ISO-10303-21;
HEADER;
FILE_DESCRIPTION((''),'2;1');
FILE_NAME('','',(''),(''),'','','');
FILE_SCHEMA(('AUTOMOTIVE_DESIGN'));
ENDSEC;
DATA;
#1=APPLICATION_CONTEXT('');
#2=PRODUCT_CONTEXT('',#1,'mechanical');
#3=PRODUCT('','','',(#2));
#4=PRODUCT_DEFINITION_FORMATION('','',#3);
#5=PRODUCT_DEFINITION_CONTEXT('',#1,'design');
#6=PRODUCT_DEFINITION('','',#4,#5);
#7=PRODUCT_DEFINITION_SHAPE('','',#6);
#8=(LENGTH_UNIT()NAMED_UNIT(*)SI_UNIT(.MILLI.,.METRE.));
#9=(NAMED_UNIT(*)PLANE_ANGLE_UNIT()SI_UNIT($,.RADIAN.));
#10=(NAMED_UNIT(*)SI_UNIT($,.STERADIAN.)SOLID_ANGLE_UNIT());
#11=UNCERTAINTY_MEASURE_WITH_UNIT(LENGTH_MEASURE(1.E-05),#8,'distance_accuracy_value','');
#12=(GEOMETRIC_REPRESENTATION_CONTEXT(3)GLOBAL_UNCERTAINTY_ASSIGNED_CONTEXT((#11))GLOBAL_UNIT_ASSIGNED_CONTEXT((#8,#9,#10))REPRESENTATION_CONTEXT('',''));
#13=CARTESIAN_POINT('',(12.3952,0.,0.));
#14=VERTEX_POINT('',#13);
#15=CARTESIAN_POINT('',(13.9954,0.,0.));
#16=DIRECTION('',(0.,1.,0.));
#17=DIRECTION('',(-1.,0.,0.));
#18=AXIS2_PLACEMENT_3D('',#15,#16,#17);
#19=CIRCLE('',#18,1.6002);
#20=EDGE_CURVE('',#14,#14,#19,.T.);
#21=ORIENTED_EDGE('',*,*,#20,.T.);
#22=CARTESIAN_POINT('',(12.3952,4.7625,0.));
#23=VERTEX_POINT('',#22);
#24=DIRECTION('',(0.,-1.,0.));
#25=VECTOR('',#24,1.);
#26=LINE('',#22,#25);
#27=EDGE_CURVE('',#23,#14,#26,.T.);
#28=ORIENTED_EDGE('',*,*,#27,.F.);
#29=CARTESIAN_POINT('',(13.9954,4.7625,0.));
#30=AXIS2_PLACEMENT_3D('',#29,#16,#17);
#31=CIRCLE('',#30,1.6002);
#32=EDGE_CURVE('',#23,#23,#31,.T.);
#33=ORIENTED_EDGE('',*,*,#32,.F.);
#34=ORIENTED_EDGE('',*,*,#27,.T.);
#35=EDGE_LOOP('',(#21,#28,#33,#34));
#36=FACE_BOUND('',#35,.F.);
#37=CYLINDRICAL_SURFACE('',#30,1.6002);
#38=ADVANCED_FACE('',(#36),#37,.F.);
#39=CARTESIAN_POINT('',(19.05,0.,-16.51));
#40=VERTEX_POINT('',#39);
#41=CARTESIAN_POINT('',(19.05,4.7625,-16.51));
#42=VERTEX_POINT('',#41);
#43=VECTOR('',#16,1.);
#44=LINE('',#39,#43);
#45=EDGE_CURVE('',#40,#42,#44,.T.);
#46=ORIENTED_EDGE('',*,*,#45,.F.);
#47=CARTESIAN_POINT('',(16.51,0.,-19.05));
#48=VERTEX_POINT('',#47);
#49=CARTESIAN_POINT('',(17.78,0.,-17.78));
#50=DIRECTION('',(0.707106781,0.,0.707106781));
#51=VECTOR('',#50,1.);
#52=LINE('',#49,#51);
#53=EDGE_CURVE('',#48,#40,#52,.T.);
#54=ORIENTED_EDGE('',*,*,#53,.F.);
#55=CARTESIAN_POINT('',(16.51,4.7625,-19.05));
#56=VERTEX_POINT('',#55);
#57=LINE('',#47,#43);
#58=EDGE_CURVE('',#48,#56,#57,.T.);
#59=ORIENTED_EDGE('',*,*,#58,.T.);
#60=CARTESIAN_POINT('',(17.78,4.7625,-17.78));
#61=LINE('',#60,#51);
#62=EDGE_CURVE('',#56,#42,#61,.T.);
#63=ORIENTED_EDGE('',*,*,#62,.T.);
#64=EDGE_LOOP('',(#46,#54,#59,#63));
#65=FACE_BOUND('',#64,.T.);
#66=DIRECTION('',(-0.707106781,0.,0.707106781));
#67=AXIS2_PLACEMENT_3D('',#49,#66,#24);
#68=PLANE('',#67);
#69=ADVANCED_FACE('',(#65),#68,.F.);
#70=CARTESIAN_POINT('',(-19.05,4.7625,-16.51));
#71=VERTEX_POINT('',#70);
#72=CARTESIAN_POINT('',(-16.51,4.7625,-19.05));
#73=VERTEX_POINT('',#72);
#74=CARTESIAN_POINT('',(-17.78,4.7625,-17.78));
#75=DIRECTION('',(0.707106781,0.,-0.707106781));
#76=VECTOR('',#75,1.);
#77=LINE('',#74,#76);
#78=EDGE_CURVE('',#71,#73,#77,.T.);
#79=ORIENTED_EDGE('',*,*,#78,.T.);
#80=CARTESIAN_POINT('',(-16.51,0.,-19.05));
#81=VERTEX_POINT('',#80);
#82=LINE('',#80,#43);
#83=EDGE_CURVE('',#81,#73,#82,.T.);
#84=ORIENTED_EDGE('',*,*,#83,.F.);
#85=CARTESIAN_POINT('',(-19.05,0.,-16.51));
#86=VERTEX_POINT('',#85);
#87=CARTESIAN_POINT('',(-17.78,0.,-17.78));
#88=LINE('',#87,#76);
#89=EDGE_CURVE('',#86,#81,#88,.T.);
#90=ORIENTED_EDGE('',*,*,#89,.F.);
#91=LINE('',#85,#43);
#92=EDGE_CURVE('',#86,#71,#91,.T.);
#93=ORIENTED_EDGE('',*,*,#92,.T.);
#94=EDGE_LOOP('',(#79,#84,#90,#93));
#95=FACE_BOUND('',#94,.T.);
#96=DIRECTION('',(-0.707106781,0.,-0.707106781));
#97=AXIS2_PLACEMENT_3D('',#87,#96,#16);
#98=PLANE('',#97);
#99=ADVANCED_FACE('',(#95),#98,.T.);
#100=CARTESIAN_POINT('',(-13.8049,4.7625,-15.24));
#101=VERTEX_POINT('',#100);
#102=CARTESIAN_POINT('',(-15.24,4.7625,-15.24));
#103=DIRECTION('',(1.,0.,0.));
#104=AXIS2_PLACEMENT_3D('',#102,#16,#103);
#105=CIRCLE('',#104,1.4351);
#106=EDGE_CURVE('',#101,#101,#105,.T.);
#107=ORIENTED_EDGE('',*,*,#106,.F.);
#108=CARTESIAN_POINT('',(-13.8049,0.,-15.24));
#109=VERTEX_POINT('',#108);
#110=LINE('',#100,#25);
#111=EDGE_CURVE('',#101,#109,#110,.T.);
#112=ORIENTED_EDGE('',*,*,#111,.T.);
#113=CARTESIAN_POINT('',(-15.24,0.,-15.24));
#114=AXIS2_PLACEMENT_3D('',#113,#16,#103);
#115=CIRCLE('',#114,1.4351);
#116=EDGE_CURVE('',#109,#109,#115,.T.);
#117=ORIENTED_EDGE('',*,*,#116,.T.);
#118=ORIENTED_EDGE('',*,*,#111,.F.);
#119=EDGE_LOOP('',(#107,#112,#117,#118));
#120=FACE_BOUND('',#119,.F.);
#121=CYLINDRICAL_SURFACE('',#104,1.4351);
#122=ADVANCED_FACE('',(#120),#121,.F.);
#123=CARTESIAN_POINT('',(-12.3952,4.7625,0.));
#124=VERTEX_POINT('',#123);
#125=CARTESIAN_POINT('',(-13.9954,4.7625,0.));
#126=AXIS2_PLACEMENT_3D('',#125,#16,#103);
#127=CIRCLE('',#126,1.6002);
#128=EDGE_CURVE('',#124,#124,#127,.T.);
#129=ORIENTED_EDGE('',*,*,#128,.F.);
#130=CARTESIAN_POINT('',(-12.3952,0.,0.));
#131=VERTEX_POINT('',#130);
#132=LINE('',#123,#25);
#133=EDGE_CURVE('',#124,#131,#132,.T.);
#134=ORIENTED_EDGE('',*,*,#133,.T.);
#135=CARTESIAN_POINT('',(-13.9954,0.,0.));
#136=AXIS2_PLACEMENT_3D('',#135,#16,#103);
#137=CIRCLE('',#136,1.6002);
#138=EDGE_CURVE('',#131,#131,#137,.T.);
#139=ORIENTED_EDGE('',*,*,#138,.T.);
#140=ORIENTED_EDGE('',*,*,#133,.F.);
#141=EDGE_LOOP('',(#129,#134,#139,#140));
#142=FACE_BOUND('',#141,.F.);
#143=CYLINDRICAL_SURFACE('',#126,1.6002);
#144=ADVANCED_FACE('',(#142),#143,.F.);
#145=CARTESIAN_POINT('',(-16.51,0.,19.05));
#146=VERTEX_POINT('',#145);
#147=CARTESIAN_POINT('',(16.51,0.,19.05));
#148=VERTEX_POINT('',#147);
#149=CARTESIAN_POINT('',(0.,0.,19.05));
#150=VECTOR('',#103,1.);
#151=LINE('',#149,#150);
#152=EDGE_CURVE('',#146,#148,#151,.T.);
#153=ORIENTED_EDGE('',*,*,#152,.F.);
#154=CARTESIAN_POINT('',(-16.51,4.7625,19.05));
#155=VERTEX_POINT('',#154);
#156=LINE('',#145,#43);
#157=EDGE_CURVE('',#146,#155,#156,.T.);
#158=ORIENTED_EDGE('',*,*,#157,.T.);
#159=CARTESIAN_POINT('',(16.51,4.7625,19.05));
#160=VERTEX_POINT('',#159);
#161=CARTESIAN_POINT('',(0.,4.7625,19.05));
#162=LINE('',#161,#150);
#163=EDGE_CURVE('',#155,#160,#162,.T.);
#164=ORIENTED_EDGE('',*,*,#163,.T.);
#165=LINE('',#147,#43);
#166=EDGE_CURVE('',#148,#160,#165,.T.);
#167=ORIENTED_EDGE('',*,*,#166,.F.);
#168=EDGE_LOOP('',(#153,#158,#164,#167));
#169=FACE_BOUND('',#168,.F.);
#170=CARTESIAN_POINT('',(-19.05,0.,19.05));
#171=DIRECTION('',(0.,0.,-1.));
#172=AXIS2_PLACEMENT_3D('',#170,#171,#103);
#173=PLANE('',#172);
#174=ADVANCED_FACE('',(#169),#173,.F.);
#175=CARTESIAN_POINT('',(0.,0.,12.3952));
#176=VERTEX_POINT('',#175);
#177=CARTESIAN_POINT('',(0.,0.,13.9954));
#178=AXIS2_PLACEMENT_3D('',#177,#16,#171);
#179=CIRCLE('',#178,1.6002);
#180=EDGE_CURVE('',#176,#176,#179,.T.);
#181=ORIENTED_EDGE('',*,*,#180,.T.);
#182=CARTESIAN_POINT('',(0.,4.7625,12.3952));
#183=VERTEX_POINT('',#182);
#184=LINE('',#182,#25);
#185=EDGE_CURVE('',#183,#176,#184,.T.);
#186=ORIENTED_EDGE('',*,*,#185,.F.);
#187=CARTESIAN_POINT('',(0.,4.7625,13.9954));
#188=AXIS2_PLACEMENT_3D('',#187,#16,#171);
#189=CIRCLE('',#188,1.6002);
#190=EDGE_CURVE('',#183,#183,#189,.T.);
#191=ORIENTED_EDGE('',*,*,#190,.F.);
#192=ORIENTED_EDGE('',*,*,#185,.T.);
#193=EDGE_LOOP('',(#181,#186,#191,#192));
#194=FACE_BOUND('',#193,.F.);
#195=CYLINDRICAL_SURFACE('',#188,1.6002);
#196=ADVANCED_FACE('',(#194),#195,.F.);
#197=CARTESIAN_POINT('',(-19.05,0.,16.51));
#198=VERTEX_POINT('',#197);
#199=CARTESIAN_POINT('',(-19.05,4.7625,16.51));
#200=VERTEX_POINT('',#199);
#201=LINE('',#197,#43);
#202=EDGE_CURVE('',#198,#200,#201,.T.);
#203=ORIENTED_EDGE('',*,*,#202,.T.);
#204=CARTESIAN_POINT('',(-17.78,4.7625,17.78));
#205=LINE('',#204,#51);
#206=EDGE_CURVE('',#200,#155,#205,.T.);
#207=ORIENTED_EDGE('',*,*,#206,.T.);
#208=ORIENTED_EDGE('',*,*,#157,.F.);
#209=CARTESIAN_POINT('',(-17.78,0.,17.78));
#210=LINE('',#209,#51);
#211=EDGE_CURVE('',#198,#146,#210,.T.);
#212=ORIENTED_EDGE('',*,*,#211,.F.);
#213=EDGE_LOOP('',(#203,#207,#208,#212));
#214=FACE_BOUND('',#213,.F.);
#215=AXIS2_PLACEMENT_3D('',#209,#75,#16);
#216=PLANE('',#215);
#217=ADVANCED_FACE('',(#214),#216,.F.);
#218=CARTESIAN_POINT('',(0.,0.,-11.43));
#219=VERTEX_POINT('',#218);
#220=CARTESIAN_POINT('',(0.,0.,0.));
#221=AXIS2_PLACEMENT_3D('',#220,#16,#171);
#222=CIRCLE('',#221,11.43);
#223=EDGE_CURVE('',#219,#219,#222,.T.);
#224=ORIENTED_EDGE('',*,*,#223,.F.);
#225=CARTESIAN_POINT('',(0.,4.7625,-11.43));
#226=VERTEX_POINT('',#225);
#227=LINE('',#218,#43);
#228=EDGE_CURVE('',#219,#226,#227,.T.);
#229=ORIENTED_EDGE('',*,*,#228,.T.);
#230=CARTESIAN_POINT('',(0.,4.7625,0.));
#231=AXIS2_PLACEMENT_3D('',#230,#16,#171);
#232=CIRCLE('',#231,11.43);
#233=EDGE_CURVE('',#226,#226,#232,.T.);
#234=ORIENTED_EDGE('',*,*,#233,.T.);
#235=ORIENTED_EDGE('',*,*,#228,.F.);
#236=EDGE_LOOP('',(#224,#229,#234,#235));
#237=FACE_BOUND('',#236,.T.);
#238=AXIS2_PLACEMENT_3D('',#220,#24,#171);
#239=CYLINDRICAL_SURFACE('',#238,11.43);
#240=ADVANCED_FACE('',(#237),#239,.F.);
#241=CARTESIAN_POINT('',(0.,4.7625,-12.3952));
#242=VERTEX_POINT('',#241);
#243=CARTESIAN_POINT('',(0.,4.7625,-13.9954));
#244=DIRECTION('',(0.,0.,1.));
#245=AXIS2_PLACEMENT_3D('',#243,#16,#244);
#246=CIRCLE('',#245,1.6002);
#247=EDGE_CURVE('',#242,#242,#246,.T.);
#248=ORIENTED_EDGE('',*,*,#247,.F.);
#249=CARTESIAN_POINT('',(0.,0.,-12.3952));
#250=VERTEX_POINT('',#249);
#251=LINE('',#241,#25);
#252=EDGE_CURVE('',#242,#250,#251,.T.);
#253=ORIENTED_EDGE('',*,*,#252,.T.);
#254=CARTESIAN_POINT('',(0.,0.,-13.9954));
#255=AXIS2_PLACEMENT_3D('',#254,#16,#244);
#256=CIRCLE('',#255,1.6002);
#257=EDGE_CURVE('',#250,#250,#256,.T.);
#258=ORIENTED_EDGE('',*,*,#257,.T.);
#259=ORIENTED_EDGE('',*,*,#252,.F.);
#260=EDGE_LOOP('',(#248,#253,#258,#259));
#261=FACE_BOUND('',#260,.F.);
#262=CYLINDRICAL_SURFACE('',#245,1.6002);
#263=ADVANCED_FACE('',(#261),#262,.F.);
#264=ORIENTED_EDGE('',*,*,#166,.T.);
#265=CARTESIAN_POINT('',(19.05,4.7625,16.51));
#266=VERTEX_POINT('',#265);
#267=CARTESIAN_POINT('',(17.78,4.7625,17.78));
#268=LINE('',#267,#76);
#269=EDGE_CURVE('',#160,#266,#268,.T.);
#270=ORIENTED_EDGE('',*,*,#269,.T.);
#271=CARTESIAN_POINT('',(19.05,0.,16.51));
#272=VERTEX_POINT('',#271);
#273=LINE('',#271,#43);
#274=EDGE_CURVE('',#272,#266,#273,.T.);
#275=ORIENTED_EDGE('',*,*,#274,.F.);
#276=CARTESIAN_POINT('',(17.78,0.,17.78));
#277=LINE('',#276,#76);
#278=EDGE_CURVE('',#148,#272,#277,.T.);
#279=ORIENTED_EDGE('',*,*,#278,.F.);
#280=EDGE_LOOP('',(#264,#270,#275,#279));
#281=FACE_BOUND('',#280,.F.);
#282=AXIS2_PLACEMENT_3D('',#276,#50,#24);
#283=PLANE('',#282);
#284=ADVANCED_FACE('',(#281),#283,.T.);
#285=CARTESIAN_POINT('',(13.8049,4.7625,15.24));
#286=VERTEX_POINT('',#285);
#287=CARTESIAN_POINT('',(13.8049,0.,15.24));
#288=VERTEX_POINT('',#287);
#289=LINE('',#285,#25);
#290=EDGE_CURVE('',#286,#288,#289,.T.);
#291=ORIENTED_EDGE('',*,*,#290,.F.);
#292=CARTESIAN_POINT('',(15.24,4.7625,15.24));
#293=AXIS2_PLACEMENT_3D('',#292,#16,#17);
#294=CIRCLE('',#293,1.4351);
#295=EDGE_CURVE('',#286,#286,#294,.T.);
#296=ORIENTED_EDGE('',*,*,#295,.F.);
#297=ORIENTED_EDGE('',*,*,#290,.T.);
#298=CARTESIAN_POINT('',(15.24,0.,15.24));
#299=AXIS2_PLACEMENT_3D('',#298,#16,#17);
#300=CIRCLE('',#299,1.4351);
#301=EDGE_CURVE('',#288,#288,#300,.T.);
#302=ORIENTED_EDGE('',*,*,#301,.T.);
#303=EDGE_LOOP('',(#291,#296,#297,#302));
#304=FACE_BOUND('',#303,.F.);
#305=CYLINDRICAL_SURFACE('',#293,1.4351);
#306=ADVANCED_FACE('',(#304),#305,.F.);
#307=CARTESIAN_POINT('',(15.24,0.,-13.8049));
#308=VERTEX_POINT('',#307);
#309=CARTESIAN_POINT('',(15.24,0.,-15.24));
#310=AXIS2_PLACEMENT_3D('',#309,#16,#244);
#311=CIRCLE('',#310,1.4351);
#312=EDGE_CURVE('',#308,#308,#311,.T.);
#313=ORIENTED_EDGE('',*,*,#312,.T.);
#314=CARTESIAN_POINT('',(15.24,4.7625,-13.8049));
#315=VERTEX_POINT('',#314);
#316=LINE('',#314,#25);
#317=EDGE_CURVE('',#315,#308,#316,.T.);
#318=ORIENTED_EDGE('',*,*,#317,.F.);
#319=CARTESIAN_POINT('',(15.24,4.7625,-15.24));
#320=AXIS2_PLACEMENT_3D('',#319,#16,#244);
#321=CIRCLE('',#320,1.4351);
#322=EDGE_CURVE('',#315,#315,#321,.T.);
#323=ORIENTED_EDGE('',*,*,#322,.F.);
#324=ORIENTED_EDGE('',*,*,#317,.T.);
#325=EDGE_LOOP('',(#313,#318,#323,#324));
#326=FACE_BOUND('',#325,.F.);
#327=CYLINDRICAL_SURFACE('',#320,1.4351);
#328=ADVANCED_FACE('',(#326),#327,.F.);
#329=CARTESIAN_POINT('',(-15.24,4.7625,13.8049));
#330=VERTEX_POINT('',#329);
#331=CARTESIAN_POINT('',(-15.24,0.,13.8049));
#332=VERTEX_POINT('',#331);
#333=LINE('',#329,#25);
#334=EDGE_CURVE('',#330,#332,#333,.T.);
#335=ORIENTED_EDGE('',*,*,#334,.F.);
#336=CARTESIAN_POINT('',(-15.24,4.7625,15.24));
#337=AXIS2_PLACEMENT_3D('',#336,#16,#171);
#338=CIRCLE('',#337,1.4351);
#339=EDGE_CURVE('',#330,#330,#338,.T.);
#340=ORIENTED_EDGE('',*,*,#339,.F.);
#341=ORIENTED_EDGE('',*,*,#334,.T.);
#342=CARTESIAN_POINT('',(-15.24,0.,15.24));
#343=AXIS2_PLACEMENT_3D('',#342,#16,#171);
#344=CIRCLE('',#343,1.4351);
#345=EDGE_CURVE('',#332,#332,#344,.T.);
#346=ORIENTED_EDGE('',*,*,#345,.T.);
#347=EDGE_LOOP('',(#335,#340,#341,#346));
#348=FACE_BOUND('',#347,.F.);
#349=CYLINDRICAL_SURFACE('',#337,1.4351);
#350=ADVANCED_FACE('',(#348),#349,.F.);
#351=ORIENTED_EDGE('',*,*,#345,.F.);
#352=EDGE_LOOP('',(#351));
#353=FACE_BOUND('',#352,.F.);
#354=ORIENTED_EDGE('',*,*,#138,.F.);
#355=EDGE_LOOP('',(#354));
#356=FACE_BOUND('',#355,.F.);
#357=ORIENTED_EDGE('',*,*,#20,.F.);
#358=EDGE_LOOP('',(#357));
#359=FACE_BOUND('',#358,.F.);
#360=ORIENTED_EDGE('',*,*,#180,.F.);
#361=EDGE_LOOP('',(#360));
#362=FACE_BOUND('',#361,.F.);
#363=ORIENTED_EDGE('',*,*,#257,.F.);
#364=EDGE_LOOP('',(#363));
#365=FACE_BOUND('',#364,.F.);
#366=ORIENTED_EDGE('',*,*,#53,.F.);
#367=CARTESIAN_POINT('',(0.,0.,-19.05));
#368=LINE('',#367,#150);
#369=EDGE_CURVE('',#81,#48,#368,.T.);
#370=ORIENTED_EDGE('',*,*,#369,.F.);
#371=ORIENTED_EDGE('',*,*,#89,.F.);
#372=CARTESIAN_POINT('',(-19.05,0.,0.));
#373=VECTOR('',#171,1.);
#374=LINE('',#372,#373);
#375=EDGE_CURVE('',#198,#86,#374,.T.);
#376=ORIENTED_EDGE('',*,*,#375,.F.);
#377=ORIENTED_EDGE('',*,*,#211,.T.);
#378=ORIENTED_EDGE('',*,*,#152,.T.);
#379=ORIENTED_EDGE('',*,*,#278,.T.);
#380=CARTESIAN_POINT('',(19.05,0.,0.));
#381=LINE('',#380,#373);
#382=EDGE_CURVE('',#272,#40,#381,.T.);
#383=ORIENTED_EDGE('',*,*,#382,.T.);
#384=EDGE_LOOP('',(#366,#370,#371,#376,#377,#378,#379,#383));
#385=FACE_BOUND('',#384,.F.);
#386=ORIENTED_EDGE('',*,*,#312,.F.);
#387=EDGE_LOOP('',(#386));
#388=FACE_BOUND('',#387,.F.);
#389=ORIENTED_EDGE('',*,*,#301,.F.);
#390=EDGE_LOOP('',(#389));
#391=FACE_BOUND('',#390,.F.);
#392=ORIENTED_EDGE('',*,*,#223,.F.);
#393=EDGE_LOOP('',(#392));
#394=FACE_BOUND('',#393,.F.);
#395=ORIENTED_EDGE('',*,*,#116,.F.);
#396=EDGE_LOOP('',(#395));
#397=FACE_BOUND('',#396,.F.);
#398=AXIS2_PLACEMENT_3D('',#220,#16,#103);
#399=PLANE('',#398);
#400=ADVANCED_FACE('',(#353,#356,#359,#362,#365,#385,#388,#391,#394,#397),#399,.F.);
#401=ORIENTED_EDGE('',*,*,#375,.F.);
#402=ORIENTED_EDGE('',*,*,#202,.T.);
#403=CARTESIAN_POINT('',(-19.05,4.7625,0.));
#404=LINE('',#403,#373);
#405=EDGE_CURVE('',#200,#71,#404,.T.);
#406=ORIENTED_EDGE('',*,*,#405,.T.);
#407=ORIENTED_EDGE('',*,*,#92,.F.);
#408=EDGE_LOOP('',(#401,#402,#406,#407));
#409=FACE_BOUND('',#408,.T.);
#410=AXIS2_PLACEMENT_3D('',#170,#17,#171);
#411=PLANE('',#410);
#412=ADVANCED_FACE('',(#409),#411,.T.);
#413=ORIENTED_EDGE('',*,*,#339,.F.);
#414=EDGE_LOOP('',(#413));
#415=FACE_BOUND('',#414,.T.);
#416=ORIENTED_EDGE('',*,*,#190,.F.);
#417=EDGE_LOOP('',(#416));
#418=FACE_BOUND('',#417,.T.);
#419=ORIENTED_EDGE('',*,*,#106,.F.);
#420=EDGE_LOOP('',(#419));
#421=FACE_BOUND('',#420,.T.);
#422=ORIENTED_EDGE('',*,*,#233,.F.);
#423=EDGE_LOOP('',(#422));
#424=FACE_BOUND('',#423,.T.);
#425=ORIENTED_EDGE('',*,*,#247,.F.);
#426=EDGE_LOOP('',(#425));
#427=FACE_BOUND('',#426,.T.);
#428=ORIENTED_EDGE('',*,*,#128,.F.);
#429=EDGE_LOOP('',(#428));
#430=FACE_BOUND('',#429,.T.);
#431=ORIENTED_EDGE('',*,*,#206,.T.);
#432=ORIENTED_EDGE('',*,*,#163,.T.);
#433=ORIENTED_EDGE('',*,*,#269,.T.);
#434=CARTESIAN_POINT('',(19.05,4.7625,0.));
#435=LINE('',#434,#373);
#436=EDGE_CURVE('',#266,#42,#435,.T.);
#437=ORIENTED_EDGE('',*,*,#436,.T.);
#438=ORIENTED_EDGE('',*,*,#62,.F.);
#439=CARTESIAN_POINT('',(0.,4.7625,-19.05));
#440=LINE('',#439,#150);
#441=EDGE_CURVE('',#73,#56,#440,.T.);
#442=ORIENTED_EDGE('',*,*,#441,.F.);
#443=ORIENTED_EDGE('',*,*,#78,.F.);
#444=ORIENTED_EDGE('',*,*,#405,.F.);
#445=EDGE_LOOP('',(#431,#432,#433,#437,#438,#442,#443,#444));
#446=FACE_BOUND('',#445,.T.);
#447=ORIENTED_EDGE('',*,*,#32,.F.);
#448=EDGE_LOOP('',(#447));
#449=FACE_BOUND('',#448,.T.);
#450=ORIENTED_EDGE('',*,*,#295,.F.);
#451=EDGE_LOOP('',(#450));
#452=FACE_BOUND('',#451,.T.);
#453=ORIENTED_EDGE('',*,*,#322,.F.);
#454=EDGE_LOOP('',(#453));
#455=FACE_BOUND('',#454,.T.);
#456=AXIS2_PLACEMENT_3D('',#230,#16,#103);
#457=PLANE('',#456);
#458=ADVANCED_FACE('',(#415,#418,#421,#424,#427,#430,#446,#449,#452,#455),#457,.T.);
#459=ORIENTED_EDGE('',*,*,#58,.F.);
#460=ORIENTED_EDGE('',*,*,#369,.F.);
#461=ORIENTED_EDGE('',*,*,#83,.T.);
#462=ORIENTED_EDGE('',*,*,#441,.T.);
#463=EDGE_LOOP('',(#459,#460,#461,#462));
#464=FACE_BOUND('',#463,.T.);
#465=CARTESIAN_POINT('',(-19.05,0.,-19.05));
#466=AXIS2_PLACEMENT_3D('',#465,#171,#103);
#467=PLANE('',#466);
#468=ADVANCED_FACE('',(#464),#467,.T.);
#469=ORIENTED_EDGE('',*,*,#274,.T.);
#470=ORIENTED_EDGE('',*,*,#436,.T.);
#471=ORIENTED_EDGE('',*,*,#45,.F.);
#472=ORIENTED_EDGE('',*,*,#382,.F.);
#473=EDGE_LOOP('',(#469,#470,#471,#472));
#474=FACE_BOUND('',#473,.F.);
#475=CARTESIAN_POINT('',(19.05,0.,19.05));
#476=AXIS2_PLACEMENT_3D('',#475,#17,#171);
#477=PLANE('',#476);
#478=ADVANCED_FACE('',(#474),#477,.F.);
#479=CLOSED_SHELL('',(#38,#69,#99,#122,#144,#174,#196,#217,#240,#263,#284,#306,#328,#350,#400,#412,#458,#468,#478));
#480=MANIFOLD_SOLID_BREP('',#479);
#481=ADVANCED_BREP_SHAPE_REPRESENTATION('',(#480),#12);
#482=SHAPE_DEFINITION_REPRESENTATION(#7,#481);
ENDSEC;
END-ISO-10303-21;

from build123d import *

# Parameters (mm, degrees)
SKETCH1_W           = 38.1
SKETCH1_H           = 38.1
SKETCH1_R           = 11.43
BOSS_EXTRUDE1_DEPTH = 4.7625
SKETCH2_R           = 1.6002
SKETCH2_R_2         = 1.4351
CUT_EXTRUDE1_DEPTH  = 28.358479604
CIRPATTERN1_COUNT   = 4
CHAMFER1_SIZE       = 2.54


with BuildPart() as part:
    # Sketch1 → Boss-Extrude1 (new body)
    with BuildSketch(Plane(origin=(0, 0, 0), x_dir=(1, 0, 0), z_dir=(0, 1, 0))):
        Rectangle(SKETCH1_W, SKETCH1_H)
        with Locations(Location((0, 0, 0), (0, 0, 90))):
            Circle(SKETCH1_R, mode=Mode.SUBTRACT)
    extrude(amount=BOSS_EXTRUDE1_DEPTH)

    # Sketch2 → Cut-Extrude1 (cut, through all)
    with BuildSketch(Plane(origin=(0, 4.7625, 0), x_dir=(1, 0, 0), z_dir=(0, 1, 0))):
        with Locations(Location((0, 13.9954, 0), (0, 0, 270))):
            Circle(SKETCH2_R)
        with Locations(Location((15.24, 15.24, 0), (0, 0, 270))):
            Circle(SKETCH2_R_2)
    cut_extrude1 = extrude(amount=-CUT_EXTRUDE1_DEPTH, mode=Mode.SUBTRACT)

    # CirPattern1: Cut-Extrude1 ×4 about axis
    cirpattern1_axis = Axis((0, 0, 0), (0, 1, 0))
    for i in range(1, CIRPATTERN1_COUNT):
        add(cut_extrude1.rotate(cirpattern1_axis, i * 360 / CIRPATTERN1_COUNT), mode=Mode.SUBTRACT)

    # Chamfer1
    chamfer1_edges = [part.edges().sort_by_distance(p)[0] for p in [
        (19.05, 2.38125, 19.05),
        (-19.05, 2.38125, 19.05),
        (-19.05, 2.38125, -19.05),
        (19.05, 2.38125, -19.05),
    ]]
    chamfer(chamfer1_edges, length=CHAMFER1_SIZE)


solid = part.part
